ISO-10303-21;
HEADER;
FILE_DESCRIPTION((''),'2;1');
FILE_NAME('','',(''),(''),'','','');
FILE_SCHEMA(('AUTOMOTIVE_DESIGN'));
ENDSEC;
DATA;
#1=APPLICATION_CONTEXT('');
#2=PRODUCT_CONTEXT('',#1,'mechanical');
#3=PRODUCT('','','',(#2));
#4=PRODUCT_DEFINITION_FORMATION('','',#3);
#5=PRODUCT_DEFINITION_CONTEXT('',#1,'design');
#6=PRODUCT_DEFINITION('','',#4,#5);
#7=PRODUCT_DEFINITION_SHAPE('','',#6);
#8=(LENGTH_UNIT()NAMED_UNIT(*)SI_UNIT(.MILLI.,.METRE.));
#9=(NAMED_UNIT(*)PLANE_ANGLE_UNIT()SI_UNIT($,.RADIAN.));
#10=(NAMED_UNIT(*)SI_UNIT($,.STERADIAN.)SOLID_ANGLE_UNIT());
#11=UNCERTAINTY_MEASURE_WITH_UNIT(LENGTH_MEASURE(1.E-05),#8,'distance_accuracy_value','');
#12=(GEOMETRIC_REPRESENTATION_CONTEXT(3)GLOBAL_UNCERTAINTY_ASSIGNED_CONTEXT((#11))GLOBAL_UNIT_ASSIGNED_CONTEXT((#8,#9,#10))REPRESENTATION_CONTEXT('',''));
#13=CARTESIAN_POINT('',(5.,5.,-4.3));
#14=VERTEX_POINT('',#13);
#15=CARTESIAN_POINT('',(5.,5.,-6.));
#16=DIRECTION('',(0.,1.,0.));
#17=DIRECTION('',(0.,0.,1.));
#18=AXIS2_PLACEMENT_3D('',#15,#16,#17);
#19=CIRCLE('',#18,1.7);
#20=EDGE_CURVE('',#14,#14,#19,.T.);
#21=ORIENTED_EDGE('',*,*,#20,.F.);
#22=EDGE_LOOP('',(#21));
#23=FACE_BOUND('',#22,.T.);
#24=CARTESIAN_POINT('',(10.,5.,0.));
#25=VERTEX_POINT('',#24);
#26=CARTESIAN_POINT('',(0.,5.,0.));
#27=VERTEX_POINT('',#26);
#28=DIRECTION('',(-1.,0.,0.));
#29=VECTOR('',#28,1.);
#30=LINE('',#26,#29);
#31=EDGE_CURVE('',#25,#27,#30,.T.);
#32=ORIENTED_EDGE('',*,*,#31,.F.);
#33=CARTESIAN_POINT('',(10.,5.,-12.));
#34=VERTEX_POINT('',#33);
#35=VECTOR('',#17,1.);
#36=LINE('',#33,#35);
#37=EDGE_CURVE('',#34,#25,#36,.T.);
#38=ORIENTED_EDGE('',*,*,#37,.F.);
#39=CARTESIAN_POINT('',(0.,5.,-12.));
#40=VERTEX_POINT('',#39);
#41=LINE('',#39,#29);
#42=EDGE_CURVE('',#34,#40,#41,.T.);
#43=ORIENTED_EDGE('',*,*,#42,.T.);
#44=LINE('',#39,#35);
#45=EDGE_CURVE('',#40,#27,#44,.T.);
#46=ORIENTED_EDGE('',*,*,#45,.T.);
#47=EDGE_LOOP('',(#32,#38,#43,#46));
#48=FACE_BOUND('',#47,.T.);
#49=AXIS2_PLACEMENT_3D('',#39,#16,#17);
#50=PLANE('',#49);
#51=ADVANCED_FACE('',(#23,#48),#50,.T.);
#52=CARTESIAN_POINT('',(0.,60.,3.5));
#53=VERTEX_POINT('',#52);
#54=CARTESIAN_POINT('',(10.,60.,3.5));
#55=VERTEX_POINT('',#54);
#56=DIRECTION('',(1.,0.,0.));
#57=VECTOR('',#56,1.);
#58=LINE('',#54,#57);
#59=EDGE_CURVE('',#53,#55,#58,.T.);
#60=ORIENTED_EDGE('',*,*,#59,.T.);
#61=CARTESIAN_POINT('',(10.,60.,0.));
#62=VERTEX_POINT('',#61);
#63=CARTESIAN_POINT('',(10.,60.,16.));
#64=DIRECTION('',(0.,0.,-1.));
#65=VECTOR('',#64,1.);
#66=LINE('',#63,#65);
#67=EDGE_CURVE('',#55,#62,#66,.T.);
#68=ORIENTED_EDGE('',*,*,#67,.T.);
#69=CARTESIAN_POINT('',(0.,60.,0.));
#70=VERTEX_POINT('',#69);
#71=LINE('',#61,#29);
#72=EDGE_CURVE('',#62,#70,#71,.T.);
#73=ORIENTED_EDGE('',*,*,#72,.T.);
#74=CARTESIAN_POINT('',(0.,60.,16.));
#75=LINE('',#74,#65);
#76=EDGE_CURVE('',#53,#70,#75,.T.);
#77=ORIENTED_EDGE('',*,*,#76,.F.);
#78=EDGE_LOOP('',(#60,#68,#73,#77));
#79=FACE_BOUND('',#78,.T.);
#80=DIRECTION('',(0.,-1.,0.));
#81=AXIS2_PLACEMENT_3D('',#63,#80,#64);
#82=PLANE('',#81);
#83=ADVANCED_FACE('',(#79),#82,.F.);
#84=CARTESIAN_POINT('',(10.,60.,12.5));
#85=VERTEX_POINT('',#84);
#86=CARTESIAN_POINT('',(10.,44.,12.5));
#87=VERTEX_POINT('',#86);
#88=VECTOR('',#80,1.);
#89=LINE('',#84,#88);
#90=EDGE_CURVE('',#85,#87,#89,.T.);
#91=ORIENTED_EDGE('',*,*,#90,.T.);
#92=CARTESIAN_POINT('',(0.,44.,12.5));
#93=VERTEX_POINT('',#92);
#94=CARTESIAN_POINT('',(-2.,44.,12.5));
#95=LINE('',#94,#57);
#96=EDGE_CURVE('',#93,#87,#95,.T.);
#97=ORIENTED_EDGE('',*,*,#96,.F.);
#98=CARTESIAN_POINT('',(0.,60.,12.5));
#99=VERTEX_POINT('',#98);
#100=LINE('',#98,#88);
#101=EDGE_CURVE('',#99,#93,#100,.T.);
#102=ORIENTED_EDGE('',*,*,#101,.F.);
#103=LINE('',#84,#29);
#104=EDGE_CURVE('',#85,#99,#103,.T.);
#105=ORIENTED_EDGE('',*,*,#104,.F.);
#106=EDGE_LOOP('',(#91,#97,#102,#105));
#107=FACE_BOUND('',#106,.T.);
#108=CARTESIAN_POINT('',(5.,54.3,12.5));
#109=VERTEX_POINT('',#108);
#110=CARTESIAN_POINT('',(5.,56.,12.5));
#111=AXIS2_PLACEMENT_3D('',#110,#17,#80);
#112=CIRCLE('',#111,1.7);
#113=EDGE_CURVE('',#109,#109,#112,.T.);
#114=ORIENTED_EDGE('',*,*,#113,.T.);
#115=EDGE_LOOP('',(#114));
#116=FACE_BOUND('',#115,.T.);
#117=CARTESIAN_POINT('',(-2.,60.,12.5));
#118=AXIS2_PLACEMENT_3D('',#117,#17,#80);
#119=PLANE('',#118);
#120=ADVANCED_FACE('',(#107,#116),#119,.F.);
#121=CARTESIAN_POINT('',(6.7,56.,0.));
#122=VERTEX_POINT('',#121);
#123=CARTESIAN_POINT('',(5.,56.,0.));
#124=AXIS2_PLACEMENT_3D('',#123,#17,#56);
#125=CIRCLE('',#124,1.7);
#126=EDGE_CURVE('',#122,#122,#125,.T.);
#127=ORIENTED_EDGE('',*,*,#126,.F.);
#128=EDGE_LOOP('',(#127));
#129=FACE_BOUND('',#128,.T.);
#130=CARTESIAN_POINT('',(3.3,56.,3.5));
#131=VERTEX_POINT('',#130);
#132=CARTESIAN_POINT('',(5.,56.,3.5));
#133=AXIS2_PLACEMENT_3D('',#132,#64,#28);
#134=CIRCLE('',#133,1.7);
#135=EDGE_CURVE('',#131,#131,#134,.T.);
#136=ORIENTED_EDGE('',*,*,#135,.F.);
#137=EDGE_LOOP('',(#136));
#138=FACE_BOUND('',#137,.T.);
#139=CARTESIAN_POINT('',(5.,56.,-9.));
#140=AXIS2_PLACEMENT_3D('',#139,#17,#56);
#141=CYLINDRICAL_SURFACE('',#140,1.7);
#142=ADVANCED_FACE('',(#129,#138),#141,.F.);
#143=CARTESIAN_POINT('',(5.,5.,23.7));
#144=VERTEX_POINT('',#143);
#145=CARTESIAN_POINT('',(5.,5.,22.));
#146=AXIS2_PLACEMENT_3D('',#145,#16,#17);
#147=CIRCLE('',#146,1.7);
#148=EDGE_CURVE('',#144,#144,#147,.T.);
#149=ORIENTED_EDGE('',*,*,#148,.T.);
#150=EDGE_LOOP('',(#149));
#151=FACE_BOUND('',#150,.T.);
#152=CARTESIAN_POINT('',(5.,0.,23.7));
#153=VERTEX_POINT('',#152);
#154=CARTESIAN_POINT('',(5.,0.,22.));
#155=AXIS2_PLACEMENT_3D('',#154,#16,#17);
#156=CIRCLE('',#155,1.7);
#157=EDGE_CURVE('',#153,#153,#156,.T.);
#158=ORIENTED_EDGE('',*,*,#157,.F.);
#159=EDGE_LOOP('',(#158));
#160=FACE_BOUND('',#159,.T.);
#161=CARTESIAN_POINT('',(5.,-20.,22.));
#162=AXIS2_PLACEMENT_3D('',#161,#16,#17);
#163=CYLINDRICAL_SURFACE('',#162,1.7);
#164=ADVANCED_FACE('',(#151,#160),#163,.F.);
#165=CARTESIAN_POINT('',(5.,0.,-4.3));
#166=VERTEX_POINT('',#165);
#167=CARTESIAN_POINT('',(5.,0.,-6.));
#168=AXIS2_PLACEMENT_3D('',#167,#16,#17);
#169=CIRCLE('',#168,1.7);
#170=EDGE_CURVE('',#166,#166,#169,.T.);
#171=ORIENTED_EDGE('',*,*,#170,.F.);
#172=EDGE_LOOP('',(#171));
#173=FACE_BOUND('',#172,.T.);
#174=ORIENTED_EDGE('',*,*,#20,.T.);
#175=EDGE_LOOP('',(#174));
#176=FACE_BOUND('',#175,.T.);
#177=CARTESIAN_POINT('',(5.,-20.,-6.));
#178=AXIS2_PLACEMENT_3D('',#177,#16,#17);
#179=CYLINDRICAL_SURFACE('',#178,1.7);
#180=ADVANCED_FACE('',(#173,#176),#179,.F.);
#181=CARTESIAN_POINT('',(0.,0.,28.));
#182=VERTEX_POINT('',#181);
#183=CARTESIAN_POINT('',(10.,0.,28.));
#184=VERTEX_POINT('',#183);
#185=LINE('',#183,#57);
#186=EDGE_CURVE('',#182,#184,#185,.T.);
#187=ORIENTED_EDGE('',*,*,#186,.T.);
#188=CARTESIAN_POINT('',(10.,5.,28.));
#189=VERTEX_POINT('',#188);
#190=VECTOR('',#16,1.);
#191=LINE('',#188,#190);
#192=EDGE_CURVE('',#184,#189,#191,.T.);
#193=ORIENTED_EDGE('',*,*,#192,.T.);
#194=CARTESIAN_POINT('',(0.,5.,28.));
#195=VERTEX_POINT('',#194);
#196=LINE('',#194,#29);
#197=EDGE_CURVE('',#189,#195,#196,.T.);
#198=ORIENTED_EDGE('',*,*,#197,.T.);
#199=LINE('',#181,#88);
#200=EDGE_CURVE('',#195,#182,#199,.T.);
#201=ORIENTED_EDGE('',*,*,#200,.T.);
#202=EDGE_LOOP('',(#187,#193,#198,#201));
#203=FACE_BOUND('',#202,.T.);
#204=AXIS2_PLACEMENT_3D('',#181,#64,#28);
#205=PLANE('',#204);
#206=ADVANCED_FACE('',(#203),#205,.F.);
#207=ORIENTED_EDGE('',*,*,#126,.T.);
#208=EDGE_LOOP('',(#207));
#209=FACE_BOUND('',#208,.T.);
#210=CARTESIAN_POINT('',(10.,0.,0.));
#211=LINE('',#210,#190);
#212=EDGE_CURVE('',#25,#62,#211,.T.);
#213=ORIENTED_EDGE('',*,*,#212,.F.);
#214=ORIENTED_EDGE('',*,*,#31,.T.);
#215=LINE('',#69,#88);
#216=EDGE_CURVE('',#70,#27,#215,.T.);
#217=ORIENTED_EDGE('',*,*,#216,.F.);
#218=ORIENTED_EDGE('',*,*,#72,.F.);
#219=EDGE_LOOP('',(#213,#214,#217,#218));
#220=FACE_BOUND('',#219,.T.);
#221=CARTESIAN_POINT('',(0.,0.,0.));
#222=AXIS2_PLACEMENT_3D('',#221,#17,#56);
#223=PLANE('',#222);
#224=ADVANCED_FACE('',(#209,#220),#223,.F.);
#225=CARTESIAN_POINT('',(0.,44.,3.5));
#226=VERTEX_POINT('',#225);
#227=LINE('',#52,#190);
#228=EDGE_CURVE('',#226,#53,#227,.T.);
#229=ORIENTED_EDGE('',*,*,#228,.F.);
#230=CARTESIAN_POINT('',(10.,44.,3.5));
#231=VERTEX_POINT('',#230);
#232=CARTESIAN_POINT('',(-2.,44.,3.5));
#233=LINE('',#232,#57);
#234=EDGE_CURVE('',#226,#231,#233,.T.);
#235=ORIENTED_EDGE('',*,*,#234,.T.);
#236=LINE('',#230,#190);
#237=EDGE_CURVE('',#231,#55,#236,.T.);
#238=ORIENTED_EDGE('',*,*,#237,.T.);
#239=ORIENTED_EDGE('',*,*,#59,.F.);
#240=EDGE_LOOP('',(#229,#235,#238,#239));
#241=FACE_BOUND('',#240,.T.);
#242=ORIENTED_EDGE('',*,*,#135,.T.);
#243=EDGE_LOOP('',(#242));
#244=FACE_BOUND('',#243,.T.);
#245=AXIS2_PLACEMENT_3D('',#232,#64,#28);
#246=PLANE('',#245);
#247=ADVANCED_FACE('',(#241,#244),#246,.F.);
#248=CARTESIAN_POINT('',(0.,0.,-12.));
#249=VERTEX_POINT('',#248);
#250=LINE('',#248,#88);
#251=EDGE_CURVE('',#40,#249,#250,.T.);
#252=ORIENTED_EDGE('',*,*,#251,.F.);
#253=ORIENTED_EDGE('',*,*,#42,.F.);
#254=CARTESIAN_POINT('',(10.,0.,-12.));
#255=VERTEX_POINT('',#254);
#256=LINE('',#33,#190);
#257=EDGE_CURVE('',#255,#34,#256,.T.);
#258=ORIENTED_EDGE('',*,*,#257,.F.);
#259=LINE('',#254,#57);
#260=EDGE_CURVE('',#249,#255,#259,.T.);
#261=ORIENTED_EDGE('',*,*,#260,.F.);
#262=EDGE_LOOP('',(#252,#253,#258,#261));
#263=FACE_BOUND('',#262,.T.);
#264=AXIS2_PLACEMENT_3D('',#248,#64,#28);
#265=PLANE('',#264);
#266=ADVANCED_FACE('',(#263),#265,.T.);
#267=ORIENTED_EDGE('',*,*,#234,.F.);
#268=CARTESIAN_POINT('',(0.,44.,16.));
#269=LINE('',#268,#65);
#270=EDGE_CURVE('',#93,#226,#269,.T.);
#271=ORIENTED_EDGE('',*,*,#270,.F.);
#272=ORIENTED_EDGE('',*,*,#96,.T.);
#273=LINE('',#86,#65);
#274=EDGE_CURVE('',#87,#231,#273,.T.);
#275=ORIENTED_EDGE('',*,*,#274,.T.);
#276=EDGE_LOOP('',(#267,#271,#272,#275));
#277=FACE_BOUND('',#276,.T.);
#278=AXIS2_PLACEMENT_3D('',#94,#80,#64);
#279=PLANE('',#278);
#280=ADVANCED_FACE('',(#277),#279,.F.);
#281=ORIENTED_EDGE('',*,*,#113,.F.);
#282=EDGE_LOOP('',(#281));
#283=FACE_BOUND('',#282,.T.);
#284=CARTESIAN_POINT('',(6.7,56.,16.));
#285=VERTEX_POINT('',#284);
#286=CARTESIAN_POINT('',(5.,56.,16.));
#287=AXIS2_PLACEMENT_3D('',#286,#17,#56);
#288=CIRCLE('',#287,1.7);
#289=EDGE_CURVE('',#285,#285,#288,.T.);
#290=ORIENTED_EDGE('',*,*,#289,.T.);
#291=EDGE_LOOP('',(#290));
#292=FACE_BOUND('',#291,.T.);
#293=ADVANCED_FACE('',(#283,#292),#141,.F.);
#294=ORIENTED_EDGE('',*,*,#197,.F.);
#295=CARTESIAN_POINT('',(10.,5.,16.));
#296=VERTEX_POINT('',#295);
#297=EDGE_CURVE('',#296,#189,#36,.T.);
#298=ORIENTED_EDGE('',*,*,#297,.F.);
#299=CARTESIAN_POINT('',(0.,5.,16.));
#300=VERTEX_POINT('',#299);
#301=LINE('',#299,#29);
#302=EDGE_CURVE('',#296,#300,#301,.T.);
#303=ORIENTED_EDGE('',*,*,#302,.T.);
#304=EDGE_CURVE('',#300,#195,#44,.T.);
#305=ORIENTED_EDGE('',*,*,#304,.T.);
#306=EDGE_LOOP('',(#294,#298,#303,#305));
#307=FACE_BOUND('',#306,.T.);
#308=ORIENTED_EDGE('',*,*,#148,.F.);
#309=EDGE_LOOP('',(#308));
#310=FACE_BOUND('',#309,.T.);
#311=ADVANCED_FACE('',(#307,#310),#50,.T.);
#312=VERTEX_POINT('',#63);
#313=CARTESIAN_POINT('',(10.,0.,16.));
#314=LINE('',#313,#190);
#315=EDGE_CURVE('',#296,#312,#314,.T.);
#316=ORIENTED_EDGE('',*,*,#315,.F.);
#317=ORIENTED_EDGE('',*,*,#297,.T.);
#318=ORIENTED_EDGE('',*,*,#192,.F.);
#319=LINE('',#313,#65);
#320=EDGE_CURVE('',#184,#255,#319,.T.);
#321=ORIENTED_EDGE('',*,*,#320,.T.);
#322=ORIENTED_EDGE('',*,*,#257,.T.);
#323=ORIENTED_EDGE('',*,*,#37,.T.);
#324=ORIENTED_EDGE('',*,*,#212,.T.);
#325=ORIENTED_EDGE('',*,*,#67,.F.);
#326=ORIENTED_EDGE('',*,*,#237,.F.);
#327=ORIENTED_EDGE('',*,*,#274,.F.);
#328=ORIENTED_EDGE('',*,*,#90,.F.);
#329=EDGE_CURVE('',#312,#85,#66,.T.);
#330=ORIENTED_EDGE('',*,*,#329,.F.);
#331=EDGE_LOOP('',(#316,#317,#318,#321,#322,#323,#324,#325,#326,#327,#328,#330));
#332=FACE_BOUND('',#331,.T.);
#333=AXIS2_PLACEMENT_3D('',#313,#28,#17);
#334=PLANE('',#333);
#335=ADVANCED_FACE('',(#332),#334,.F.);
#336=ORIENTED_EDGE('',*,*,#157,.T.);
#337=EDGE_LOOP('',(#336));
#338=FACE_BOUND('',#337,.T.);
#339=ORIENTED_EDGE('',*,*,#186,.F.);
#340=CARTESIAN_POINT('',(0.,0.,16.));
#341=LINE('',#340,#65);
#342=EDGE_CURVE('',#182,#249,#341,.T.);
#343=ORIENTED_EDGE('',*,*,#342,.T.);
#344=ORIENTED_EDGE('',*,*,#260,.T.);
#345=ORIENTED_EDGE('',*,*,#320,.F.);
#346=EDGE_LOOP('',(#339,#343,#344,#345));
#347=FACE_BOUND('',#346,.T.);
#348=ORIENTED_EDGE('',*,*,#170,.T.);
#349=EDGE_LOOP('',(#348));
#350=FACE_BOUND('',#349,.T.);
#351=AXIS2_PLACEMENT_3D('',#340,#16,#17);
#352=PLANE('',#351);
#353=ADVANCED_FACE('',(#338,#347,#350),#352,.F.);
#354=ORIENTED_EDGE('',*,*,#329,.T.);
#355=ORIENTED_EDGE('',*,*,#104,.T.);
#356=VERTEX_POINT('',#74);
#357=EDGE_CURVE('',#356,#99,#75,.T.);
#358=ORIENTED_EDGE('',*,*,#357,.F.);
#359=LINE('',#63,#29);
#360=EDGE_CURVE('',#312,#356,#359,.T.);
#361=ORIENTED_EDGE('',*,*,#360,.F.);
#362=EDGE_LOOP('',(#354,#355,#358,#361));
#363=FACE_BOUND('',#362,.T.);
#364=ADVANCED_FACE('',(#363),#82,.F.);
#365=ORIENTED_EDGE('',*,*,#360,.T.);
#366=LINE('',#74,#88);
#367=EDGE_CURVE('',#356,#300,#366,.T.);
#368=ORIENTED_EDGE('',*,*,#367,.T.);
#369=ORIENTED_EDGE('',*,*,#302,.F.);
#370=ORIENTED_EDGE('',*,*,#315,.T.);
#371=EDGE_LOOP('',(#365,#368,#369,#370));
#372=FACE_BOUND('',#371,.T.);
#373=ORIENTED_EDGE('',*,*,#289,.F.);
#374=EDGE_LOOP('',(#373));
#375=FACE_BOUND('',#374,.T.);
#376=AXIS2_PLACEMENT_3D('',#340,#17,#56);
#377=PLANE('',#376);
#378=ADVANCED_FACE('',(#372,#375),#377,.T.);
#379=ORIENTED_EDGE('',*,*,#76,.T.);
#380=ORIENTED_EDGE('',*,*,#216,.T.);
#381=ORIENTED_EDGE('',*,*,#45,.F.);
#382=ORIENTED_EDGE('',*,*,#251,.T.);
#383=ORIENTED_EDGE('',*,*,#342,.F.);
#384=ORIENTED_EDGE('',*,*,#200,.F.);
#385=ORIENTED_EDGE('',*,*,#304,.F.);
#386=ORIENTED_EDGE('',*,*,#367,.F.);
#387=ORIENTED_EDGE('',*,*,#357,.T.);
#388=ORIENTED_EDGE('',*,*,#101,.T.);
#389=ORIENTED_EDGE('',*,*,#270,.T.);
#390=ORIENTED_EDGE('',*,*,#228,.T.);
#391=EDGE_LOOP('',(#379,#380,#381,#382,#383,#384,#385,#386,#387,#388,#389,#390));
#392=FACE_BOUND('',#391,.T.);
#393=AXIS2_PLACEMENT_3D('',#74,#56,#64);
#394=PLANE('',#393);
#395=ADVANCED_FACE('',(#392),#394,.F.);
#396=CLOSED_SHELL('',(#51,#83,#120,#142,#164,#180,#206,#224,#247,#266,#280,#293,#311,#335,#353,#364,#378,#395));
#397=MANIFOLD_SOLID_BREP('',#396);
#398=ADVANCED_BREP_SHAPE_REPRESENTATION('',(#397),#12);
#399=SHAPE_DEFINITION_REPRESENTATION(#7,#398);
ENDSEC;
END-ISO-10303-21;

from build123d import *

# Parameters (mm, degrees)
IZIM1_W                          = 10
IZIM1_H                          = 60
Y_KSEKLIK_EKSTR_ZYON1_DEPTH      = 16
Y_KSEKLIK_EKSTR_ZYON2_DEPTH      = 12
Y_KSEKLIK_EKSTR_ZYON2_DEPTH_BACK = 28
IZIM2_W                          = 10
IZIM2_H                          = 5
IZIM3_W                          = 9
IZIM3_H                          = 16
KES_EKSTR_ZYON2_DEPTH            = 12
IZIM4_R                          = 1.7
KES_EKSTR_ZYON3_DEPTH            = 25
IZIM5_R                          = 1.7
KES_EKSTR_ZYON4_DEPTH            = 25


with BuildPart() as part:
    # Çizim1 → Yükseklik-Ekstrüzyon1 (new body)
    with BuildSketch(Plane.XY):
        with Locations((5, 30)):
            Rectangle(IZIM1_W, IZIM1_H)
    extrude(amount=Y_KSEKLIK_EKSTR_ZYON1_DEPTH)

    # Çizim2 → Yükseklik-Ekstrüzyon2 (add, two sides: drawn at the far end of the back side and taken through both)
    with BuildSketch(Plane.XY.offset(16).offset(-Y_KSEKLIK_EKSTR_ZYON2_DEPTH_BACK)):
        with Locations((5, 2.5)):
            Rectangle(IZIM2_W, IZIM2_H)
    extrude(amount=Y_KSEKLIK_EKSTR_ZYON2_DEPTH + Y_KSEKLIK_EKSTR_ZYON2_DEPTH_BACK)

    # Çizim3 → Kes-Ekstrüzyon2 (cut)
    with BuildSketch(Plane(origin=(10, 0, 0), x_dir=(0, 0, -1), z_dir=(1, 0, 0))):
        with Locations((-8, 52)):
            Rectangle(IZIM3_W, IZIM3_H)
    extrude(amount=-KES_EKSTR_ZYON2_DEPTH, mode=Mode.SUBTRACT)

    # Çizim4 → Kes-Ekstrüzyon3 (cut)
    with BuildSketch(Plane.XY.offset(16)):
        with Locations((5, 56)):
            Circle(IZIM4_R)
    extrude(amount=-KES_EKSTR_ZYON3_DEPTH, mode=Mode.SUBTRACT)

    # Çizim5 → Kes-Ekstrüzyon4 (cut)
    with BuildSketch(Plane(origin=(0, 5, 0), x_dir=(1, 0, 0), z_dir=(0, 1, 0))):
        with Locations(Location((5, 6, 0), (0, 0, 270))):
            Circle(IZIM5_R)
        with Locations(Location((5, -22, 0), (0, 0, 270))):
            Circle(IZIM5_R)
    extrude(amount=-KES_EKSTR_ZYON4_DEPTH, mode=Mode.SUBTRACT)


solid = part.part
